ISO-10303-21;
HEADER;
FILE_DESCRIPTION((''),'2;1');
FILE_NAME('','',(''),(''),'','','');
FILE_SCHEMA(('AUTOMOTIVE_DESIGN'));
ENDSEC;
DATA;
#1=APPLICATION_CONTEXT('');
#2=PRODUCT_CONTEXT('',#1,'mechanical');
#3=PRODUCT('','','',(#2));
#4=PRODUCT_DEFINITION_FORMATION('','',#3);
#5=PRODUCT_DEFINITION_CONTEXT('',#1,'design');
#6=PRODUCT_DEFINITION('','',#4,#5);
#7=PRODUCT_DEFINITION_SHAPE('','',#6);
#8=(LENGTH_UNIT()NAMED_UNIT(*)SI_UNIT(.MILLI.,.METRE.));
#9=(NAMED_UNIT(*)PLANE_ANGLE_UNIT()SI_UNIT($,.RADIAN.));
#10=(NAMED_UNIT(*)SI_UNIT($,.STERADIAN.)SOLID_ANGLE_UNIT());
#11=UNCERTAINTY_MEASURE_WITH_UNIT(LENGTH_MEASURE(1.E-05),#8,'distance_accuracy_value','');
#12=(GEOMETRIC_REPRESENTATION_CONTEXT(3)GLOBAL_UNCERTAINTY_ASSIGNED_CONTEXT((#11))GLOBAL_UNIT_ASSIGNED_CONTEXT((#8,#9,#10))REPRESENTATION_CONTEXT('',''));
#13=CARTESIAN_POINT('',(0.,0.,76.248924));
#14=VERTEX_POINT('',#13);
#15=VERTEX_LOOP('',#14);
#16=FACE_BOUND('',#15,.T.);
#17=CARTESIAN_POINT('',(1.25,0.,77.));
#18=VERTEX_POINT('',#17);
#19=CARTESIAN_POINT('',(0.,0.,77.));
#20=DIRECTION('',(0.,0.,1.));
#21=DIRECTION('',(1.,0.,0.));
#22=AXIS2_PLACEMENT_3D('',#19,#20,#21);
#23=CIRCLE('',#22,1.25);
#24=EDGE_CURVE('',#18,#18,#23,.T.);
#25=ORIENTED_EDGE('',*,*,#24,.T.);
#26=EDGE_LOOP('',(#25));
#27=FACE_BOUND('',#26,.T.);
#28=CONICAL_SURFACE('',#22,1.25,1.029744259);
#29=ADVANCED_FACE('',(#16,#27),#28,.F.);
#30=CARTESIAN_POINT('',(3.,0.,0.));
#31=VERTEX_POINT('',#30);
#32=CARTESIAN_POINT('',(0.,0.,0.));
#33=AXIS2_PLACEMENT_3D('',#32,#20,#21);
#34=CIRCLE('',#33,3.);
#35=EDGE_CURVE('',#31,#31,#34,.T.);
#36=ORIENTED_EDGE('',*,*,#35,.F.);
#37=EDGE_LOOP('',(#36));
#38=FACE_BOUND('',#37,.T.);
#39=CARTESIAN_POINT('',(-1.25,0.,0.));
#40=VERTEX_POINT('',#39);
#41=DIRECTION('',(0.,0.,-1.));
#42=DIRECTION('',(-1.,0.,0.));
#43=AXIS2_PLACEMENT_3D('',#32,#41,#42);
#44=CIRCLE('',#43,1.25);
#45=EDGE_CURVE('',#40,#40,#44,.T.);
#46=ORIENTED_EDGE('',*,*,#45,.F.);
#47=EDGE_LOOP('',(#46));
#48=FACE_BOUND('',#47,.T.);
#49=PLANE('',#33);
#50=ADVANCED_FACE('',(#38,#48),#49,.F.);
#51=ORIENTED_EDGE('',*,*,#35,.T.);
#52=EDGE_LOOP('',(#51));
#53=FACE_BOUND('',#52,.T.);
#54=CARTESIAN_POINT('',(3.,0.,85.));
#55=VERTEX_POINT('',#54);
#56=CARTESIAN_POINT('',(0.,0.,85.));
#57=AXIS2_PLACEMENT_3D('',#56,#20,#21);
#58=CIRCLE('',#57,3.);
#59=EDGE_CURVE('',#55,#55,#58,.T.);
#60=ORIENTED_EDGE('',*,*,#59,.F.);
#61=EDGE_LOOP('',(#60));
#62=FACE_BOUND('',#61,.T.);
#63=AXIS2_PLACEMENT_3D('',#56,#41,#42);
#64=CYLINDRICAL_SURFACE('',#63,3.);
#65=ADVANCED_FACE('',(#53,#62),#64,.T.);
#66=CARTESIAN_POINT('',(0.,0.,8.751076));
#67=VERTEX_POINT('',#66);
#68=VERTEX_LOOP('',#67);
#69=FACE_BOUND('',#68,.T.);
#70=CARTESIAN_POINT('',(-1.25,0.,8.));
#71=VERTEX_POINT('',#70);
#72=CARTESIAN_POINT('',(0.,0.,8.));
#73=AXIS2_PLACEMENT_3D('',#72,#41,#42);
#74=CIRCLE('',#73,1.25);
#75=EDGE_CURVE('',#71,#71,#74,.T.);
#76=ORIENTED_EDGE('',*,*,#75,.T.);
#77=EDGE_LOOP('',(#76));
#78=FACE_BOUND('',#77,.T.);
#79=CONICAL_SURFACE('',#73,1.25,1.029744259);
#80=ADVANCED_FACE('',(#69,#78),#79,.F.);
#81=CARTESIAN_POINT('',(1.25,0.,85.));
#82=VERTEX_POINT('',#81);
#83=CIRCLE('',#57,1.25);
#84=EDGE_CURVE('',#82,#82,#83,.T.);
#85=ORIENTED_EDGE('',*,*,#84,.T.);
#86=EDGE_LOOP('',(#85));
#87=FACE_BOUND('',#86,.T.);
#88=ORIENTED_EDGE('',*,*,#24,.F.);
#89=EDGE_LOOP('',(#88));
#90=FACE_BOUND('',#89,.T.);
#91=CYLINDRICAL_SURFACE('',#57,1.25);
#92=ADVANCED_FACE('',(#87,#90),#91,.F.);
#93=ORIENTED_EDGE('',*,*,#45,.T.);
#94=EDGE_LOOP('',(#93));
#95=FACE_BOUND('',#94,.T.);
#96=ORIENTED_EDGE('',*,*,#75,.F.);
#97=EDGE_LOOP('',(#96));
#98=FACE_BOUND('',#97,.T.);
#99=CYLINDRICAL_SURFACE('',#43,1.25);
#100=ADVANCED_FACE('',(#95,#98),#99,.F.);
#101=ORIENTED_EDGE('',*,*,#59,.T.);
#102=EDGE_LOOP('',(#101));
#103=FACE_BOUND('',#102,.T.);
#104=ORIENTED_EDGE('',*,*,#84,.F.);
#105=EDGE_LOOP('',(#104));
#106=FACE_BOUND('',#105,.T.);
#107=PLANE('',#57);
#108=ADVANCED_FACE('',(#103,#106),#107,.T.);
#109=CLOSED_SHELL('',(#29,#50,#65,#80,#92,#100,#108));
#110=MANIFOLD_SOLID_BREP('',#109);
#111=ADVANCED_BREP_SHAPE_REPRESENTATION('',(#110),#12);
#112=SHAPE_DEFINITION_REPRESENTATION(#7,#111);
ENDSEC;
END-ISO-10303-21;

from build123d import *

# Parameters (mm, degrees)
ESBO_O1_R                                   = 3
RESSALTO_EXTRUS_O1_DEPTH                    = 85
BROCA_DE_ROSQUEAR_PARA_TARRAXA_DE_M32_D     = 2.5
BROCA_DE_ROSQUEAR_PARA_TARRAXA_DE_M32_DEPTH = 8
BROCA_DE_ROSQUEAR_PARA_TARRAXA_DE_M32_TIP   = 0.751075774


with BuildPart() as part:
    # Esboço1 → Ressalto-extrusão1 (new body)
    with BuildSketch(Plane.XY):
        Circle(ESBO_O1_R)
    extrude(amount=RESSALTO_EXTRUS_O1_DEPTH)

    # Esboço2 → Broca de rosquear para tarraxa de M31 (revolve, cut)
    with BuildSketch(Plane(origin=(0, 0, 85), x_dir=(0, -1, 0), z_dir=(1, 0, 0))):
        Polygon((0, 0), (0, 8.751075774), (1.25, 8), (1.25, 0), align=None)
    revolve(axis=Axis((0, 0, 91.35), (0, 0, -1)), mode=Mode.SUBTRACT)

    # Broca de rosquear para tarraxa de M32
    with Locations(Plane(origin=(0, 0, 0), x_dir=(-1, 0, 0), z_dir=(0, 0, -1))):
        with Locations((0, 0)):
            Hole(BROCA_DE_ROSQUEAR_PARA_TARRAXA_DE_M32_D / 2, depth=BROCA_DE_ROSQUEAR_PARA_TARRAXA_DE_M32_DEPTH)
            with Locations((0, 0, -(BROCA_DE_ROSQUEAR_PARA_TARRAXA_DE_M32_DEPTH + BROCA_DE_ROSQUEAR_PARA_TARRAXA_DE_M32_TIP / 2))):  # 118° drill point
                Cone(0, BROCA_DE_ROSQUEAR_PARA_TARRAXA_DE_M32_D / 2, BROCA_DE_ROSQUEAR_PARA_TARRAXA_DE_M32_TIP, mode=Mode.SUBTRACT)


solid = part.part
